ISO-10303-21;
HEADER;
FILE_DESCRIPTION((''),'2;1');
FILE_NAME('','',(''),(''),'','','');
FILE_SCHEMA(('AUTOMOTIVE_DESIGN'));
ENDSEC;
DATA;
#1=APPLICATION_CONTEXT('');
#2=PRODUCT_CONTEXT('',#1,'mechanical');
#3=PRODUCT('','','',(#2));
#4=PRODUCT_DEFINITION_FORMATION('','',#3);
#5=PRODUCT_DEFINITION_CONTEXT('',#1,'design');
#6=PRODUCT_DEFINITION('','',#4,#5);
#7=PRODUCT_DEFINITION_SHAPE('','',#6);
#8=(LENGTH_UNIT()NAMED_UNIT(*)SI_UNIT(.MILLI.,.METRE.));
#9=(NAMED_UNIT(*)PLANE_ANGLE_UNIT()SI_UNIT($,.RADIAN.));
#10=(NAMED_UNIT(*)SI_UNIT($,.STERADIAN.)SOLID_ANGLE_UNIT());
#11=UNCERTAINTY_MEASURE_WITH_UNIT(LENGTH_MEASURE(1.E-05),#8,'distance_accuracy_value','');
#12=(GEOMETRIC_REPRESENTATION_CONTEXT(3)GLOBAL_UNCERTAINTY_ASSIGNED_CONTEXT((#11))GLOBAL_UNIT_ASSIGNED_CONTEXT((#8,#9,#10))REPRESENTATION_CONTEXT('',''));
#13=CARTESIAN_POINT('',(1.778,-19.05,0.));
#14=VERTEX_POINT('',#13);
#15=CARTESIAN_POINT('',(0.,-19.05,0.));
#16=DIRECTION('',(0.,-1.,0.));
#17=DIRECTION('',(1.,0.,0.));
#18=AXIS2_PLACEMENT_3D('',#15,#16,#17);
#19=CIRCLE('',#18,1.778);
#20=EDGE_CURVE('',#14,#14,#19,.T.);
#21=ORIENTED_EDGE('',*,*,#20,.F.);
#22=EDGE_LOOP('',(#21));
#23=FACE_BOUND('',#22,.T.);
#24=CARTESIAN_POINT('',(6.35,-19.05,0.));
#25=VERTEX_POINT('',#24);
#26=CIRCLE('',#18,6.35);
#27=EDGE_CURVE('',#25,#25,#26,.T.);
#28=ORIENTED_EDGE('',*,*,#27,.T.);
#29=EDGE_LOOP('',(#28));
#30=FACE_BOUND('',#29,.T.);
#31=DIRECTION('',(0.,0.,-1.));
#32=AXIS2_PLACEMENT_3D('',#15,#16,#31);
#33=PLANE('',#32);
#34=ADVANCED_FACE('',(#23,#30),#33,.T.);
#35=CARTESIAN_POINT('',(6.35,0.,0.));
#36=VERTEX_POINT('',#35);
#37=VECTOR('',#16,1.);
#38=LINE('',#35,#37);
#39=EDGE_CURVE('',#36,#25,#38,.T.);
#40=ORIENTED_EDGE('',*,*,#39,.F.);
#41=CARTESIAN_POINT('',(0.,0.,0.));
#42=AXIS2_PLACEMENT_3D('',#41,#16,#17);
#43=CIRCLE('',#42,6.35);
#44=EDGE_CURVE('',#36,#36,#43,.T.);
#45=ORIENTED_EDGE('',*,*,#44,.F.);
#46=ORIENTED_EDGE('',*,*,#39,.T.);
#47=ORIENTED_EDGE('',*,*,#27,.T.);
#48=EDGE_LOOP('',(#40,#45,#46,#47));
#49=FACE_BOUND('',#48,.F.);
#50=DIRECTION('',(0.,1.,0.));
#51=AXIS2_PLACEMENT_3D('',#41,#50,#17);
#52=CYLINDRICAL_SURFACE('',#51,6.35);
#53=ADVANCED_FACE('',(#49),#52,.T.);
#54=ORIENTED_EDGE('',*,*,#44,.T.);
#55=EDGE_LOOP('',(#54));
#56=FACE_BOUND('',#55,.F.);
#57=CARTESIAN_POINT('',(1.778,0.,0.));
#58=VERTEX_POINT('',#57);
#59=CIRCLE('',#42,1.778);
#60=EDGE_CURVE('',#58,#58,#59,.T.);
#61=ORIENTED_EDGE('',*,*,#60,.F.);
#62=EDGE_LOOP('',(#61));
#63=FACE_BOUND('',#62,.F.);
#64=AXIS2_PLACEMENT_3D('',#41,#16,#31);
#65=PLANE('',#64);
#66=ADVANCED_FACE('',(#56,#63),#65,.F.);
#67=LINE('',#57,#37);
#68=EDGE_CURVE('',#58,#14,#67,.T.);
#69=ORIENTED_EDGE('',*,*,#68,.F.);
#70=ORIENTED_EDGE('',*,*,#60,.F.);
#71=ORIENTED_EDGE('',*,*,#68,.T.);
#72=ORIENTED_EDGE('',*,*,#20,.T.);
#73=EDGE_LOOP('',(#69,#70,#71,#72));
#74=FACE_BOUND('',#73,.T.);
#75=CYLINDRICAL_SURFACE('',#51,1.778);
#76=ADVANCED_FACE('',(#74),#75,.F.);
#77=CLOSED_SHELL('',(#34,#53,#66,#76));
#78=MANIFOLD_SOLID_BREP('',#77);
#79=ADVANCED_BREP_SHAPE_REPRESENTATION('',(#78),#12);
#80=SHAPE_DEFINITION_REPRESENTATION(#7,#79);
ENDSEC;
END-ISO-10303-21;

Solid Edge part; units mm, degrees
sketch "Sketch1" plane through (0, 0, 0) normal (0, -1, 0) x (1, 0, 0)
  circle A0 centre (0, 0) radius 6.35
  circle A1 centre (0, 0) radius 1.778
  dimension "D1" = 3.556
  dimension "D2" = 12.7
extrude "Protrusion1" add sketch "Sketch1" along normal blind 19.05
properties part number "94639A515" material "Polypropylene, general purpose"
